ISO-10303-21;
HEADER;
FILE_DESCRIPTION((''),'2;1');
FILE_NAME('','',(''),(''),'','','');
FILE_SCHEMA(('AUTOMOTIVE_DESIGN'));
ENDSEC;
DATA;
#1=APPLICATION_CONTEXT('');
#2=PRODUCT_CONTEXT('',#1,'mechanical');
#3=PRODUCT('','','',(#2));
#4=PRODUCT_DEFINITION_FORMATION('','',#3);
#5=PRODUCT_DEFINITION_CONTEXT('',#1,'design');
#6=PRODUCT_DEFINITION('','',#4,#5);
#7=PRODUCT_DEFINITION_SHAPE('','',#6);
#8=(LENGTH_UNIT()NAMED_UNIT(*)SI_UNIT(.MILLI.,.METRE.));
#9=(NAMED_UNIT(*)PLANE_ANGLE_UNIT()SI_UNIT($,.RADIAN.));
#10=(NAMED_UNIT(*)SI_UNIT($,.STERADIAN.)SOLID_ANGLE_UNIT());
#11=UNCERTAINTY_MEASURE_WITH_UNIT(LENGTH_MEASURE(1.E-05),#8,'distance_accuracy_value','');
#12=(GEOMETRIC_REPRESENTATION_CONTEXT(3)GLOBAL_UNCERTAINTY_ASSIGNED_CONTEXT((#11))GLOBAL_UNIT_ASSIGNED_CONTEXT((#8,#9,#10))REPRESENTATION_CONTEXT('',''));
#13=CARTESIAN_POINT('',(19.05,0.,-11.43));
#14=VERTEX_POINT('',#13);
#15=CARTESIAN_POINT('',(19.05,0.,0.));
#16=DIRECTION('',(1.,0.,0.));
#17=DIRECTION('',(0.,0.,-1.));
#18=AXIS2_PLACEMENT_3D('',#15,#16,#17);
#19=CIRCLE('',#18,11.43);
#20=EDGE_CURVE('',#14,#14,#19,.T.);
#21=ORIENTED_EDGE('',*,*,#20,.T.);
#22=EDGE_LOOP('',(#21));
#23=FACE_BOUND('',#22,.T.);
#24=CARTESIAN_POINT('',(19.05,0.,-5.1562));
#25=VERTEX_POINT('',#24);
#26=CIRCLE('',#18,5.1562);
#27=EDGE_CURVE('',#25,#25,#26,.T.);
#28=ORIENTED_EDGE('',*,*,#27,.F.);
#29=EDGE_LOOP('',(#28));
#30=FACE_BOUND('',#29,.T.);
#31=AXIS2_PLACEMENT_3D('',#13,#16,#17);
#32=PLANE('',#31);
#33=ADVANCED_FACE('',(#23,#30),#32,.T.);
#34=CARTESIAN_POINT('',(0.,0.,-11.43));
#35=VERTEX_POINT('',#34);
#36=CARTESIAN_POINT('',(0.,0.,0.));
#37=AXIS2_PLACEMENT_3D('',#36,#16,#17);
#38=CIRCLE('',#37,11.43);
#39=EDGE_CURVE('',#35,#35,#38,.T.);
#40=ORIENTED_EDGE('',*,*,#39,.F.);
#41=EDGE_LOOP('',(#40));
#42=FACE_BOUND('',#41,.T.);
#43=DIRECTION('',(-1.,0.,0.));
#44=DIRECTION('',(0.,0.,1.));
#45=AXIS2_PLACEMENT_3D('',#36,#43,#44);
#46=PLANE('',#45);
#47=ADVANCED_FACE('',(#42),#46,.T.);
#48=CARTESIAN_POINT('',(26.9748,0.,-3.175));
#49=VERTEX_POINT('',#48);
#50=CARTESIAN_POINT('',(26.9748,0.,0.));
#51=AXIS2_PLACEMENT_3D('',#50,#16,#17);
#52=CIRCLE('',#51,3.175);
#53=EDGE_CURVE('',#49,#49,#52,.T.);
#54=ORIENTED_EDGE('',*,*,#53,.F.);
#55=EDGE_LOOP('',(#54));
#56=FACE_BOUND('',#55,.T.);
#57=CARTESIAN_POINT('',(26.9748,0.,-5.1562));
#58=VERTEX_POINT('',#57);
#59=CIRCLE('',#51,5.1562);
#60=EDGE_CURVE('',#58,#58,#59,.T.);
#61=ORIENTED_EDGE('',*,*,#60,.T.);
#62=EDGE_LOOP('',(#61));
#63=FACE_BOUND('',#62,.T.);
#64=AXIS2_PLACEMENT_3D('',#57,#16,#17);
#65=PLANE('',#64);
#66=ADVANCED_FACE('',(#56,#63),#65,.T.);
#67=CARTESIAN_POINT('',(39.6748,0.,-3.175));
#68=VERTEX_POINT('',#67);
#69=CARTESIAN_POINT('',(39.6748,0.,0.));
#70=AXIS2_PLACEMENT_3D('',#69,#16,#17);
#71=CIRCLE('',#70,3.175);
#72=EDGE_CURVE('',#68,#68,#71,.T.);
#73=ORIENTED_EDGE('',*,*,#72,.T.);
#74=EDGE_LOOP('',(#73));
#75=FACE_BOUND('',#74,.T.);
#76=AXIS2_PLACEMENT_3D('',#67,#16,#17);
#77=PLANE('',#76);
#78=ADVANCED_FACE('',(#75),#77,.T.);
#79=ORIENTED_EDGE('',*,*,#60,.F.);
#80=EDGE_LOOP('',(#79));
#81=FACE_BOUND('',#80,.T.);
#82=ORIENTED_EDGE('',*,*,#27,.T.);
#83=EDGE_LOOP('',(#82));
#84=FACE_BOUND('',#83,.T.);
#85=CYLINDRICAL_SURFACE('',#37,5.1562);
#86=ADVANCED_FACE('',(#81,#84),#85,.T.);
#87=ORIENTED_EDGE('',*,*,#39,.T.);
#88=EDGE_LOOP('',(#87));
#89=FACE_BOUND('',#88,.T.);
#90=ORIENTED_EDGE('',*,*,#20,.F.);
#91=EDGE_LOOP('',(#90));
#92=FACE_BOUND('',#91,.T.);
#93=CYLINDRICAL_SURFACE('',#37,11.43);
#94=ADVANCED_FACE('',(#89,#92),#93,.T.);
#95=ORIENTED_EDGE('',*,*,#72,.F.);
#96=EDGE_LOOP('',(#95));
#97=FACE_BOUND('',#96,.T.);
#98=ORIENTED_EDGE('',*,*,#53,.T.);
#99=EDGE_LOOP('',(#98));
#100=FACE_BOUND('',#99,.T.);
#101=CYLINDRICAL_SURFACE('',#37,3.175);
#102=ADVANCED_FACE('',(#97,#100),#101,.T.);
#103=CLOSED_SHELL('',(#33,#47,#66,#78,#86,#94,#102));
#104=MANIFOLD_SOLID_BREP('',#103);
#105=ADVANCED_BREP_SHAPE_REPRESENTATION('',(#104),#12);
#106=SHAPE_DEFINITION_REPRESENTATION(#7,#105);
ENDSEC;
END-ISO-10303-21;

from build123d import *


with BuildPart() as part:
    # Sketch1 → Revolve1 (revolve)
    with BuildSketch(Plane(origin=(0, 0, 0), x_dir=(1, 0, 0), z_dir=(0, 1, 0))):
        Polygon((0, 0), (0, 11.43), (19.05, 11.43), (19.05, 5.1562), (26.9748, 5.1562), (26.9748, 3.175), (39.6748, 3.175), (39.6748, 0), align=None)
    revolve(axis=Axis((0, 0, 0), (-1, 0, 0)))


solid = part.part
